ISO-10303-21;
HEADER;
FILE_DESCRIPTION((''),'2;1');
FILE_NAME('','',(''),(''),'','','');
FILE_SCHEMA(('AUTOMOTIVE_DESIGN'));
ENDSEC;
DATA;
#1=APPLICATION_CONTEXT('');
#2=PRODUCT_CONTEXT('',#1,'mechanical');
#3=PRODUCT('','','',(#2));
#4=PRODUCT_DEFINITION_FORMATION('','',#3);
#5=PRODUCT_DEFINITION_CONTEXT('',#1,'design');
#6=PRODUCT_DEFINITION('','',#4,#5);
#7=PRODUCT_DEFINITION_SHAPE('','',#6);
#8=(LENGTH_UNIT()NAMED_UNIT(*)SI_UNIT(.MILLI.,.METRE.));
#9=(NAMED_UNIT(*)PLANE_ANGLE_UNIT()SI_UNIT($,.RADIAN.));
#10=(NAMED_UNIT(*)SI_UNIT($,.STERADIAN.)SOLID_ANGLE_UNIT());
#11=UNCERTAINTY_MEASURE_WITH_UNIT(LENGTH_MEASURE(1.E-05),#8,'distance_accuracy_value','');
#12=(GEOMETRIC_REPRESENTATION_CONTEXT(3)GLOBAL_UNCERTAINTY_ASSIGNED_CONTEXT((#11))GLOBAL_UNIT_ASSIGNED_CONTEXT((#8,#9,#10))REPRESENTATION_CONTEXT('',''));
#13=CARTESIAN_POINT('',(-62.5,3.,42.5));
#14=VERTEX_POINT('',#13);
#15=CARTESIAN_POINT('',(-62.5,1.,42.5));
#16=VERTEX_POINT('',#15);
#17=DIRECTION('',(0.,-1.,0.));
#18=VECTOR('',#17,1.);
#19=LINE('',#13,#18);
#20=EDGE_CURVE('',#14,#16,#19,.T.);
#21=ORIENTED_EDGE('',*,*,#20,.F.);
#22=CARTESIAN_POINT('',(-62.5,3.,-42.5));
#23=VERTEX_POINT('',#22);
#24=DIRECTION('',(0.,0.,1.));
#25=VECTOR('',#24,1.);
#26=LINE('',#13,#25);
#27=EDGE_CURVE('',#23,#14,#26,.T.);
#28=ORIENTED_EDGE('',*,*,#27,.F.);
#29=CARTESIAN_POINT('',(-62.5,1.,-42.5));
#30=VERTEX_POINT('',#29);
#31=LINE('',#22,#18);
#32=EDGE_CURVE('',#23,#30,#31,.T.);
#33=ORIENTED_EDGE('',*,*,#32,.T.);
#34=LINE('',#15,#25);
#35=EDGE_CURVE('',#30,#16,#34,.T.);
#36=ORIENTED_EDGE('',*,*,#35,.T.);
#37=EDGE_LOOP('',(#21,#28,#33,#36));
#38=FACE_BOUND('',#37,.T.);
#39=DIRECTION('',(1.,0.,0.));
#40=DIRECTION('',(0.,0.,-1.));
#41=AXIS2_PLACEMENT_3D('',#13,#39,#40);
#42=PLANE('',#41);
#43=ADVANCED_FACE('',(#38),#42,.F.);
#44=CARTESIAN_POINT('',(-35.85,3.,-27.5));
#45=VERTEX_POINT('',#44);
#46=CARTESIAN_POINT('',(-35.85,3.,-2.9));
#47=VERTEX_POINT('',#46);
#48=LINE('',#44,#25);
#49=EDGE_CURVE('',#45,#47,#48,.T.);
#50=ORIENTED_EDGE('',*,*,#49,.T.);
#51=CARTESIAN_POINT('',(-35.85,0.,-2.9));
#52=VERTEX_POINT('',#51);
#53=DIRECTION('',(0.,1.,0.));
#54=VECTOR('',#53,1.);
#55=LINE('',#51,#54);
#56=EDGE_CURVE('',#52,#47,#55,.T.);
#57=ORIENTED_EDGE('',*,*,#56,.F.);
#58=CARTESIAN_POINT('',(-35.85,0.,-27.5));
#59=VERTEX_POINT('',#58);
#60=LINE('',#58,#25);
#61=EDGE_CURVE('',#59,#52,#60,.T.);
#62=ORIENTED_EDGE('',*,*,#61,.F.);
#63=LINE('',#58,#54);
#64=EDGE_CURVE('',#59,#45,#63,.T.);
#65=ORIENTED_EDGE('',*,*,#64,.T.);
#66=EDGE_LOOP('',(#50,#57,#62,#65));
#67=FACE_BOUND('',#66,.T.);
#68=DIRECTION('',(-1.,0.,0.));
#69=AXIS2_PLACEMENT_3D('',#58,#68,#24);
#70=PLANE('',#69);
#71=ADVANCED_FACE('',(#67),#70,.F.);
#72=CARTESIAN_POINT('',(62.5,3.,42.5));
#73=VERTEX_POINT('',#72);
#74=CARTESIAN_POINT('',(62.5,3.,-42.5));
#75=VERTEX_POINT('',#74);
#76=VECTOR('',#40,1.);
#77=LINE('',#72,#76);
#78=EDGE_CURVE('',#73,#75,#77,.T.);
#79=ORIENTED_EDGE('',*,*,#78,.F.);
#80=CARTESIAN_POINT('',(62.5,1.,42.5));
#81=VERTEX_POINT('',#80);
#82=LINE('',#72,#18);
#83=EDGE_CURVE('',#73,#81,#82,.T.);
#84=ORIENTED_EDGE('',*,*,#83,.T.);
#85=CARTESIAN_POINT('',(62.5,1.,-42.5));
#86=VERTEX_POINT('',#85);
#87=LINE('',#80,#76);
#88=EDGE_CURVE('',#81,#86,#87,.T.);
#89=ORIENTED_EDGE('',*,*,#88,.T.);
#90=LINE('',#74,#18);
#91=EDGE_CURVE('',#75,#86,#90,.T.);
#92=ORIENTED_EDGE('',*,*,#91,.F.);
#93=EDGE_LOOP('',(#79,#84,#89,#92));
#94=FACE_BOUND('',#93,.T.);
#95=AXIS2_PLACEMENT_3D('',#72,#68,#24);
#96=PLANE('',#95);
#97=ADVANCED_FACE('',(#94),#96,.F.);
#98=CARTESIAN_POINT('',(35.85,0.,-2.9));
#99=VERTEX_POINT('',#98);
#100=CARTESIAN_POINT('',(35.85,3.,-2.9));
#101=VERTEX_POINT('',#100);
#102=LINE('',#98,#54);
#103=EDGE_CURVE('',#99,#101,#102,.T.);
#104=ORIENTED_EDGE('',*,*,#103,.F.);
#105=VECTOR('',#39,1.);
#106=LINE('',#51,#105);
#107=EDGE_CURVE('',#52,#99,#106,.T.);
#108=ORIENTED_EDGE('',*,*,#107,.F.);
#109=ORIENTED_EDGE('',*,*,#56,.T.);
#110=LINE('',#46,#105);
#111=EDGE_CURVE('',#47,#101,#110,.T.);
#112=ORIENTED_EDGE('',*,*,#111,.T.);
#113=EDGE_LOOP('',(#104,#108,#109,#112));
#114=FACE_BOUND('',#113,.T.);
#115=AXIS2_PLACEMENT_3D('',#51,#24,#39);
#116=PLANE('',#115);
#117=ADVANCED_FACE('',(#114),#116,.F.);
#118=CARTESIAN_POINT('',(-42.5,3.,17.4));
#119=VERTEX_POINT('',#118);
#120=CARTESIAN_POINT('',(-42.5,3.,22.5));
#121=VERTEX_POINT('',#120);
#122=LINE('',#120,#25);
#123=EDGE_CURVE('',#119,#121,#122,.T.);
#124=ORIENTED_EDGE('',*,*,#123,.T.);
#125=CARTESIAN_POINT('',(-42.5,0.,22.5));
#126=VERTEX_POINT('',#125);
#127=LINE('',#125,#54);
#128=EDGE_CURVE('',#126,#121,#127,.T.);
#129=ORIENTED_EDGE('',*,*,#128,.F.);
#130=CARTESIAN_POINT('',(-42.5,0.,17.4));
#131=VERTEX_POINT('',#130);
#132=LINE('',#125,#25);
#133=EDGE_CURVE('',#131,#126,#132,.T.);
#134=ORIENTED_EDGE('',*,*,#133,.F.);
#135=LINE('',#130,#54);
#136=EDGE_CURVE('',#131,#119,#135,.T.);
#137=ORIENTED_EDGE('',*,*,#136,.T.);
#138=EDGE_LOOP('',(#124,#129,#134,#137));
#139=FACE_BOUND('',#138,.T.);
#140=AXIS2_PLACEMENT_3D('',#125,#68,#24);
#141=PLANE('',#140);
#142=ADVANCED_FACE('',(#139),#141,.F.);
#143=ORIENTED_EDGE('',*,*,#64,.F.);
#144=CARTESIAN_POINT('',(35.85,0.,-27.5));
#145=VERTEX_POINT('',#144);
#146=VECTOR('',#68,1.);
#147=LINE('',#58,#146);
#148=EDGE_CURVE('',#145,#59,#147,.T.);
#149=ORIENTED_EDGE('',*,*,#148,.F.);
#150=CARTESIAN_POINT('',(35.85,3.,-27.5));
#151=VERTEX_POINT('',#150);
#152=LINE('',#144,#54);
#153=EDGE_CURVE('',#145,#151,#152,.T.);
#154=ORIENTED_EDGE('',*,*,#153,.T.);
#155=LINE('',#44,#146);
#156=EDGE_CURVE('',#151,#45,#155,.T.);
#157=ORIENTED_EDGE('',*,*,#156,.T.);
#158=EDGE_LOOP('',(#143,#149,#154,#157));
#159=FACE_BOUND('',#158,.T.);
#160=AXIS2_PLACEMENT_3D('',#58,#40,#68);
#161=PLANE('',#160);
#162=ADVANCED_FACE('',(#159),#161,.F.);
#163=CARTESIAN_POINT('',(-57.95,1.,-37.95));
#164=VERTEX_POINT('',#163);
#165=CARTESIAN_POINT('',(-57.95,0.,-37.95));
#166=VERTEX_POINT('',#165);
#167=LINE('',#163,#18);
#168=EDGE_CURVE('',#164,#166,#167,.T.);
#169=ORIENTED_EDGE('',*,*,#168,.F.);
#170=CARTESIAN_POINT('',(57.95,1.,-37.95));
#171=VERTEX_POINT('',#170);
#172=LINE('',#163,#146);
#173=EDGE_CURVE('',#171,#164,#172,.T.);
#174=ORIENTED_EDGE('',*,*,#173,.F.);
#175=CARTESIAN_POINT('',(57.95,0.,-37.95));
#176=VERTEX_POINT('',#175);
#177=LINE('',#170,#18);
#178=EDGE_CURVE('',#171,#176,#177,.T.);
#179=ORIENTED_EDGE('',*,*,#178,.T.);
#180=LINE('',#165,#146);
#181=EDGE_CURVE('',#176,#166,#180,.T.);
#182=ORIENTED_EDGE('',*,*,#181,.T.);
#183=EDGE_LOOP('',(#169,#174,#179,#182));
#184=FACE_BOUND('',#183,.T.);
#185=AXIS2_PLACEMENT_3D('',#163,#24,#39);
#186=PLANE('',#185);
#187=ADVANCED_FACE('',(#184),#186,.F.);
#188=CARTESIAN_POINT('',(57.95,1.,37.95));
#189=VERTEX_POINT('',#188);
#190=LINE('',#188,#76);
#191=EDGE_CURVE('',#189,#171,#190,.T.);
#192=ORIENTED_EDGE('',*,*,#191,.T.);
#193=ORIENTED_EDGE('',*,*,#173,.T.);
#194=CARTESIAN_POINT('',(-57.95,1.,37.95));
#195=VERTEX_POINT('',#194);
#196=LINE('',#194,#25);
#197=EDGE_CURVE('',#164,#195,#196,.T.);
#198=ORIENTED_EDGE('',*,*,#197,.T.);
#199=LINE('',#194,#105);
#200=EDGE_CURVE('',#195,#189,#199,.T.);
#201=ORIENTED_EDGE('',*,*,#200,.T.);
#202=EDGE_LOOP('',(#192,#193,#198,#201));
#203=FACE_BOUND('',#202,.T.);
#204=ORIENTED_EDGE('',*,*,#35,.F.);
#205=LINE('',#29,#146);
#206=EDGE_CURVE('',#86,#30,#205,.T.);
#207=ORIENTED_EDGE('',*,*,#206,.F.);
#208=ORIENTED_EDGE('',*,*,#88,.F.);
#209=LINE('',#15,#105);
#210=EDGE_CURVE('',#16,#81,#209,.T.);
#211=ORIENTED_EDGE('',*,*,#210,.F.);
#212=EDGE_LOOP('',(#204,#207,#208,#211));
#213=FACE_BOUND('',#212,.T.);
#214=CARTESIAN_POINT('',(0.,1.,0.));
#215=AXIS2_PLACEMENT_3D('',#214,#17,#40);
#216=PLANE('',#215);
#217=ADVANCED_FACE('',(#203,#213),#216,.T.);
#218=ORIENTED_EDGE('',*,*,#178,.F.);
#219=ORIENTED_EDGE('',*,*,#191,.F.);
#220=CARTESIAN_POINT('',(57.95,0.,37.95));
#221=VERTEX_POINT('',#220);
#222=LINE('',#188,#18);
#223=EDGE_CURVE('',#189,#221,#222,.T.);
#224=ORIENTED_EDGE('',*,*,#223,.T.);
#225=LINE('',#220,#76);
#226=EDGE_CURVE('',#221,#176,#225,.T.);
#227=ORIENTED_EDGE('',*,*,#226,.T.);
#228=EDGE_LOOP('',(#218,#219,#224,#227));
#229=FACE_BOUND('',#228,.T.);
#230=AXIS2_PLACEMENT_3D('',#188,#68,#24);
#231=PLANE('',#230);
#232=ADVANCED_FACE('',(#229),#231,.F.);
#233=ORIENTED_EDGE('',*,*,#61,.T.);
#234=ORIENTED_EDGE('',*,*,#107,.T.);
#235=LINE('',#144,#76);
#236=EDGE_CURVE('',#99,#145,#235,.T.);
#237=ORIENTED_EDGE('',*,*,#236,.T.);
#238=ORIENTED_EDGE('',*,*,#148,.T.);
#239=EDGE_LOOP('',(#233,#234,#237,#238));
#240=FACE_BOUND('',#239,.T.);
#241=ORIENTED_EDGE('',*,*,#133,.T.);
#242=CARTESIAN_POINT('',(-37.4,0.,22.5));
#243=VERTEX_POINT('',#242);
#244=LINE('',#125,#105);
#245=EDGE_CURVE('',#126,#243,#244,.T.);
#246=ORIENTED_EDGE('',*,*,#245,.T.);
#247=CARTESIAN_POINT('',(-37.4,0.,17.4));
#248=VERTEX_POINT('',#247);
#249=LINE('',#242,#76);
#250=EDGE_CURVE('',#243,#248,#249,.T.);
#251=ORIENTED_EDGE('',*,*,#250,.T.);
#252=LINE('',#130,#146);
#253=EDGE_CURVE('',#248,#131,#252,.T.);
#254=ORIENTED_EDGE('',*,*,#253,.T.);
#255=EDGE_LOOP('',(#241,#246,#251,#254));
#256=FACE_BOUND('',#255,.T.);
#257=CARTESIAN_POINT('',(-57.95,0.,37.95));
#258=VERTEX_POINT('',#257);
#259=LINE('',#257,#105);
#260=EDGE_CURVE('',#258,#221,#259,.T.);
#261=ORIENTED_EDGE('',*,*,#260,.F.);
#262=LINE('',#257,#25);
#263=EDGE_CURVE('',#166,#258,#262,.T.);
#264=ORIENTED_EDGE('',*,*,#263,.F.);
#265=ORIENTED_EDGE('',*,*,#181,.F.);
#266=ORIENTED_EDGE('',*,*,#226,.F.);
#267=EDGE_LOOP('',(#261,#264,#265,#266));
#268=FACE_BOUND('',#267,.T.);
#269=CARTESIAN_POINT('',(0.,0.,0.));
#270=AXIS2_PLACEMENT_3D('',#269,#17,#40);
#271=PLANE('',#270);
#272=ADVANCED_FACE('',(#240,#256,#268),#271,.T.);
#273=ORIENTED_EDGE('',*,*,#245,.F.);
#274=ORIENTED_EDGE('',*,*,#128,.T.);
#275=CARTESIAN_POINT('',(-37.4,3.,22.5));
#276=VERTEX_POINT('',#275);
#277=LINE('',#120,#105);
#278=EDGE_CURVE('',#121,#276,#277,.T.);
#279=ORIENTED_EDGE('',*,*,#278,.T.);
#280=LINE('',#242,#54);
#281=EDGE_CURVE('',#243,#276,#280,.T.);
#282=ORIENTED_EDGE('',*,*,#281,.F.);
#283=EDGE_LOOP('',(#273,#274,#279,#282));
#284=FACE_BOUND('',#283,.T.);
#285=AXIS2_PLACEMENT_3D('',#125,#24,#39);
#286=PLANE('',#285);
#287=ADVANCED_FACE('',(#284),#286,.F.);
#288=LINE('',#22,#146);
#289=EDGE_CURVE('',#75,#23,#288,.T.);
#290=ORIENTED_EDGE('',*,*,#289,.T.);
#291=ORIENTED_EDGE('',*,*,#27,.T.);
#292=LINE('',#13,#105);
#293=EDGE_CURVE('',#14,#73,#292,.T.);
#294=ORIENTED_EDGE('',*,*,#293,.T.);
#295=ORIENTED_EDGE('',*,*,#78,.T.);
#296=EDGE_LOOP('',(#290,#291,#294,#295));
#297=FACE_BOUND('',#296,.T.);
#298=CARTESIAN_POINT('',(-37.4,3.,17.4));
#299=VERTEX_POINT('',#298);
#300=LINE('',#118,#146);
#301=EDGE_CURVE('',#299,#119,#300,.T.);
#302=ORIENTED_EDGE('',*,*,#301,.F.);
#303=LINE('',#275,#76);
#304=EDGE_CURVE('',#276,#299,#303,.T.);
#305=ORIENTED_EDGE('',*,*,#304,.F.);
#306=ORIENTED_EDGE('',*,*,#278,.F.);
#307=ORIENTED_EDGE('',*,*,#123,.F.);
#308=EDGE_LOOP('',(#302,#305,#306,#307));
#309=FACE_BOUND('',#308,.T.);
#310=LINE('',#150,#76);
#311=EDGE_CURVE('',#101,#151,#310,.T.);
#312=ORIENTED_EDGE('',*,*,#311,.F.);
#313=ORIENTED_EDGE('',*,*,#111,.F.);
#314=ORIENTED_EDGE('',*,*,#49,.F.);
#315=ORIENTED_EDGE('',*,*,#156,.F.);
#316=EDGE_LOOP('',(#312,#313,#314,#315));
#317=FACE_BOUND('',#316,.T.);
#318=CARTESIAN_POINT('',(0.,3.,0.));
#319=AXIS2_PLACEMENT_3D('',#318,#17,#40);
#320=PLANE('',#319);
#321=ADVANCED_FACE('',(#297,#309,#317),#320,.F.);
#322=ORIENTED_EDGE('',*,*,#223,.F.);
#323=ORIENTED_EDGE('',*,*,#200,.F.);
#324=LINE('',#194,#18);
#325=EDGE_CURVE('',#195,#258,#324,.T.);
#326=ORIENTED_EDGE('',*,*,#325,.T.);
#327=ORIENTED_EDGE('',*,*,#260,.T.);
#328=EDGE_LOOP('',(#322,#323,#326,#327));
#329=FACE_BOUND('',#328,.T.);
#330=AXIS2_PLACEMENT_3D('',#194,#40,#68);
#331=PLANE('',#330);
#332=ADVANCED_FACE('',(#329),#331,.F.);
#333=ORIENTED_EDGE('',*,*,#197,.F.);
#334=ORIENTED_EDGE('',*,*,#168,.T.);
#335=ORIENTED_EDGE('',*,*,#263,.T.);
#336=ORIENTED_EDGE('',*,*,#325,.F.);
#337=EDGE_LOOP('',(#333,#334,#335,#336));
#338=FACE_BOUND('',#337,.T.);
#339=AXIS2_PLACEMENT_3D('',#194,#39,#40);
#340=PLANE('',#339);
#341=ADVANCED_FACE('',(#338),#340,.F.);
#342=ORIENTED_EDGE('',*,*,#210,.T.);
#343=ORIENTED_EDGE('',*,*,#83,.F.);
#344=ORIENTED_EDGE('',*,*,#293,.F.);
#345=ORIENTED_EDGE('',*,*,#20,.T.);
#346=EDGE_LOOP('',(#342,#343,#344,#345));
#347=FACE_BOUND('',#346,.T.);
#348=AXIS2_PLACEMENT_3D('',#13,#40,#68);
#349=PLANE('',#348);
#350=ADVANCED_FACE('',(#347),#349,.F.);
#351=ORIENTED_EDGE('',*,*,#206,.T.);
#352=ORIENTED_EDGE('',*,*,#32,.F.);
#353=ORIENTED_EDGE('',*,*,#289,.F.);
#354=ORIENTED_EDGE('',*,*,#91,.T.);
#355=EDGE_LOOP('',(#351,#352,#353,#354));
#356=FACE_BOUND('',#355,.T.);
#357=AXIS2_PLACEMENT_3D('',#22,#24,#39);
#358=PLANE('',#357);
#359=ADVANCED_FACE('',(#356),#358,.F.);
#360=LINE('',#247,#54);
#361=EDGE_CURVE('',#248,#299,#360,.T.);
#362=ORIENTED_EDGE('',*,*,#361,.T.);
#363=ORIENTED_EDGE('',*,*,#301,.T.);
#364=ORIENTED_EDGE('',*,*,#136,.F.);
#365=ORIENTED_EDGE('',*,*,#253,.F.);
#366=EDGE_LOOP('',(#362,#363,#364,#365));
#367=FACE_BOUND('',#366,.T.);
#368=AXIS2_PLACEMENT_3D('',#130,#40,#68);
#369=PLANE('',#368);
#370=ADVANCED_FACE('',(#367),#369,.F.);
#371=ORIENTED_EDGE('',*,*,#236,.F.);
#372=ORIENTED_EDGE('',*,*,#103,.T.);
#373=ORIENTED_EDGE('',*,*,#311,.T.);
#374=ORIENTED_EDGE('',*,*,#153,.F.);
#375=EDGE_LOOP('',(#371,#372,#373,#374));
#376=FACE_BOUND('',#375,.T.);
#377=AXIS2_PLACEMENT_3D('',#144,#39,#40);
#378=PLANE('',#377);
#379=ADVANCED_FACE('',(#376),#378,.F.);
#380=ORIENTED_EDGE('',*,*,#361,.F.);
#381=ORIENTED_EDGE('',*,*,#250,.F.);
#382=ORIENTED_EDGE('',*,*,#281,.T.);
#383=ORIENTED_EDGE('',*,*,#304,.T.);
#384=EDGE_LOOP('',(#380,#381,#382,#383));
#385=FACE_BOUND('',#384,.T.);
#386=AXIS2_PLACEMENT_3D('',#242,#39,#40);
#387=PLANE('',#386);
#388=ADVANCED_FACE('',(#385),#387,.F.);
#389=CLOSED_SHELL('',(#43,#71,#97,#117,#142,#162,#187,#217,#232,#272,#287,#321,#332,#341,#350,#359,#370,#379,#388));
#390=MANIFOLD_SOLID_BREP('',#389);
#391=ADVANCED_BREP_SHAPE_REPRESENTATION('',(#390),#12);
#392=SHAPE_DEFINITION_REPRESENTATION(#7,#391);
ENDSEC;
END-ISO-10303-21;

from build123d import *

# Parameters (mm, degrees)
ESBO_O1_W                = 115.9
ESBO_O1_H                = 75.9
RESSALTO_EXTRUS_O1_DEPTH = 1
ESBO_O2_W                = 125
ESBO_O2_H                = 85
RESSALTO_EXTRUS_O2_DEPTH = 2
ESBO_O3_W                = 71.7
ESBO_O3_H                = 24.6
ESBO_O3_W_2              = 5.1
ESBO_O3_H_2              = 5.1
CORTE_EXTRUS_O1_DEPTH    = 76.640597565


with BuildPart() as part:
    # Esboço1 → Ressalto-extrusão1 (new body)
    with BuildSketch(Plane(origin=(0, 0, 0), x_dir=(1, 0, 0), z_dir=(0, 1, 0))):
        Rectangle(ESBO_O1_W, ESBO_O1_H)
    extrude(amount=RESSALTO_EXTRUS_O1_DEPTH)

    # Esboço2 → Ressalto-extrusão2 (add)
    with BuildSketch(Plane(origin=(0, 1, 0), x_dir=(1, 0, 0), z_dir=(0, 1, 0))):
        Rectangle(ESBO_O2_W, ESBO_O2_H)
    extrude(amount=RESSALTO_EXTRUS_O2_DEPTH)

    # Esboço3 → Corte-extrusão1 (cut, through all)
    with BuildSketch(Plane(origin=(0, 3, 0), x_dir=(1, 0, 0), z_dir=(0, 1, 0))):
        with Locations((0, 15.2)):
            Rectangle(ESBO_O3_W, ESBO_O3_H)
        with Locations((-39.95, -19.95)):
            Rectangle(ESBO_O3_W_2, ESBO_O3_H_2)
    extrude(amount=-CORTE_EXTRUS_O1_DEPTH, mode=Mode.SUBTRACT)


solid = part.part
